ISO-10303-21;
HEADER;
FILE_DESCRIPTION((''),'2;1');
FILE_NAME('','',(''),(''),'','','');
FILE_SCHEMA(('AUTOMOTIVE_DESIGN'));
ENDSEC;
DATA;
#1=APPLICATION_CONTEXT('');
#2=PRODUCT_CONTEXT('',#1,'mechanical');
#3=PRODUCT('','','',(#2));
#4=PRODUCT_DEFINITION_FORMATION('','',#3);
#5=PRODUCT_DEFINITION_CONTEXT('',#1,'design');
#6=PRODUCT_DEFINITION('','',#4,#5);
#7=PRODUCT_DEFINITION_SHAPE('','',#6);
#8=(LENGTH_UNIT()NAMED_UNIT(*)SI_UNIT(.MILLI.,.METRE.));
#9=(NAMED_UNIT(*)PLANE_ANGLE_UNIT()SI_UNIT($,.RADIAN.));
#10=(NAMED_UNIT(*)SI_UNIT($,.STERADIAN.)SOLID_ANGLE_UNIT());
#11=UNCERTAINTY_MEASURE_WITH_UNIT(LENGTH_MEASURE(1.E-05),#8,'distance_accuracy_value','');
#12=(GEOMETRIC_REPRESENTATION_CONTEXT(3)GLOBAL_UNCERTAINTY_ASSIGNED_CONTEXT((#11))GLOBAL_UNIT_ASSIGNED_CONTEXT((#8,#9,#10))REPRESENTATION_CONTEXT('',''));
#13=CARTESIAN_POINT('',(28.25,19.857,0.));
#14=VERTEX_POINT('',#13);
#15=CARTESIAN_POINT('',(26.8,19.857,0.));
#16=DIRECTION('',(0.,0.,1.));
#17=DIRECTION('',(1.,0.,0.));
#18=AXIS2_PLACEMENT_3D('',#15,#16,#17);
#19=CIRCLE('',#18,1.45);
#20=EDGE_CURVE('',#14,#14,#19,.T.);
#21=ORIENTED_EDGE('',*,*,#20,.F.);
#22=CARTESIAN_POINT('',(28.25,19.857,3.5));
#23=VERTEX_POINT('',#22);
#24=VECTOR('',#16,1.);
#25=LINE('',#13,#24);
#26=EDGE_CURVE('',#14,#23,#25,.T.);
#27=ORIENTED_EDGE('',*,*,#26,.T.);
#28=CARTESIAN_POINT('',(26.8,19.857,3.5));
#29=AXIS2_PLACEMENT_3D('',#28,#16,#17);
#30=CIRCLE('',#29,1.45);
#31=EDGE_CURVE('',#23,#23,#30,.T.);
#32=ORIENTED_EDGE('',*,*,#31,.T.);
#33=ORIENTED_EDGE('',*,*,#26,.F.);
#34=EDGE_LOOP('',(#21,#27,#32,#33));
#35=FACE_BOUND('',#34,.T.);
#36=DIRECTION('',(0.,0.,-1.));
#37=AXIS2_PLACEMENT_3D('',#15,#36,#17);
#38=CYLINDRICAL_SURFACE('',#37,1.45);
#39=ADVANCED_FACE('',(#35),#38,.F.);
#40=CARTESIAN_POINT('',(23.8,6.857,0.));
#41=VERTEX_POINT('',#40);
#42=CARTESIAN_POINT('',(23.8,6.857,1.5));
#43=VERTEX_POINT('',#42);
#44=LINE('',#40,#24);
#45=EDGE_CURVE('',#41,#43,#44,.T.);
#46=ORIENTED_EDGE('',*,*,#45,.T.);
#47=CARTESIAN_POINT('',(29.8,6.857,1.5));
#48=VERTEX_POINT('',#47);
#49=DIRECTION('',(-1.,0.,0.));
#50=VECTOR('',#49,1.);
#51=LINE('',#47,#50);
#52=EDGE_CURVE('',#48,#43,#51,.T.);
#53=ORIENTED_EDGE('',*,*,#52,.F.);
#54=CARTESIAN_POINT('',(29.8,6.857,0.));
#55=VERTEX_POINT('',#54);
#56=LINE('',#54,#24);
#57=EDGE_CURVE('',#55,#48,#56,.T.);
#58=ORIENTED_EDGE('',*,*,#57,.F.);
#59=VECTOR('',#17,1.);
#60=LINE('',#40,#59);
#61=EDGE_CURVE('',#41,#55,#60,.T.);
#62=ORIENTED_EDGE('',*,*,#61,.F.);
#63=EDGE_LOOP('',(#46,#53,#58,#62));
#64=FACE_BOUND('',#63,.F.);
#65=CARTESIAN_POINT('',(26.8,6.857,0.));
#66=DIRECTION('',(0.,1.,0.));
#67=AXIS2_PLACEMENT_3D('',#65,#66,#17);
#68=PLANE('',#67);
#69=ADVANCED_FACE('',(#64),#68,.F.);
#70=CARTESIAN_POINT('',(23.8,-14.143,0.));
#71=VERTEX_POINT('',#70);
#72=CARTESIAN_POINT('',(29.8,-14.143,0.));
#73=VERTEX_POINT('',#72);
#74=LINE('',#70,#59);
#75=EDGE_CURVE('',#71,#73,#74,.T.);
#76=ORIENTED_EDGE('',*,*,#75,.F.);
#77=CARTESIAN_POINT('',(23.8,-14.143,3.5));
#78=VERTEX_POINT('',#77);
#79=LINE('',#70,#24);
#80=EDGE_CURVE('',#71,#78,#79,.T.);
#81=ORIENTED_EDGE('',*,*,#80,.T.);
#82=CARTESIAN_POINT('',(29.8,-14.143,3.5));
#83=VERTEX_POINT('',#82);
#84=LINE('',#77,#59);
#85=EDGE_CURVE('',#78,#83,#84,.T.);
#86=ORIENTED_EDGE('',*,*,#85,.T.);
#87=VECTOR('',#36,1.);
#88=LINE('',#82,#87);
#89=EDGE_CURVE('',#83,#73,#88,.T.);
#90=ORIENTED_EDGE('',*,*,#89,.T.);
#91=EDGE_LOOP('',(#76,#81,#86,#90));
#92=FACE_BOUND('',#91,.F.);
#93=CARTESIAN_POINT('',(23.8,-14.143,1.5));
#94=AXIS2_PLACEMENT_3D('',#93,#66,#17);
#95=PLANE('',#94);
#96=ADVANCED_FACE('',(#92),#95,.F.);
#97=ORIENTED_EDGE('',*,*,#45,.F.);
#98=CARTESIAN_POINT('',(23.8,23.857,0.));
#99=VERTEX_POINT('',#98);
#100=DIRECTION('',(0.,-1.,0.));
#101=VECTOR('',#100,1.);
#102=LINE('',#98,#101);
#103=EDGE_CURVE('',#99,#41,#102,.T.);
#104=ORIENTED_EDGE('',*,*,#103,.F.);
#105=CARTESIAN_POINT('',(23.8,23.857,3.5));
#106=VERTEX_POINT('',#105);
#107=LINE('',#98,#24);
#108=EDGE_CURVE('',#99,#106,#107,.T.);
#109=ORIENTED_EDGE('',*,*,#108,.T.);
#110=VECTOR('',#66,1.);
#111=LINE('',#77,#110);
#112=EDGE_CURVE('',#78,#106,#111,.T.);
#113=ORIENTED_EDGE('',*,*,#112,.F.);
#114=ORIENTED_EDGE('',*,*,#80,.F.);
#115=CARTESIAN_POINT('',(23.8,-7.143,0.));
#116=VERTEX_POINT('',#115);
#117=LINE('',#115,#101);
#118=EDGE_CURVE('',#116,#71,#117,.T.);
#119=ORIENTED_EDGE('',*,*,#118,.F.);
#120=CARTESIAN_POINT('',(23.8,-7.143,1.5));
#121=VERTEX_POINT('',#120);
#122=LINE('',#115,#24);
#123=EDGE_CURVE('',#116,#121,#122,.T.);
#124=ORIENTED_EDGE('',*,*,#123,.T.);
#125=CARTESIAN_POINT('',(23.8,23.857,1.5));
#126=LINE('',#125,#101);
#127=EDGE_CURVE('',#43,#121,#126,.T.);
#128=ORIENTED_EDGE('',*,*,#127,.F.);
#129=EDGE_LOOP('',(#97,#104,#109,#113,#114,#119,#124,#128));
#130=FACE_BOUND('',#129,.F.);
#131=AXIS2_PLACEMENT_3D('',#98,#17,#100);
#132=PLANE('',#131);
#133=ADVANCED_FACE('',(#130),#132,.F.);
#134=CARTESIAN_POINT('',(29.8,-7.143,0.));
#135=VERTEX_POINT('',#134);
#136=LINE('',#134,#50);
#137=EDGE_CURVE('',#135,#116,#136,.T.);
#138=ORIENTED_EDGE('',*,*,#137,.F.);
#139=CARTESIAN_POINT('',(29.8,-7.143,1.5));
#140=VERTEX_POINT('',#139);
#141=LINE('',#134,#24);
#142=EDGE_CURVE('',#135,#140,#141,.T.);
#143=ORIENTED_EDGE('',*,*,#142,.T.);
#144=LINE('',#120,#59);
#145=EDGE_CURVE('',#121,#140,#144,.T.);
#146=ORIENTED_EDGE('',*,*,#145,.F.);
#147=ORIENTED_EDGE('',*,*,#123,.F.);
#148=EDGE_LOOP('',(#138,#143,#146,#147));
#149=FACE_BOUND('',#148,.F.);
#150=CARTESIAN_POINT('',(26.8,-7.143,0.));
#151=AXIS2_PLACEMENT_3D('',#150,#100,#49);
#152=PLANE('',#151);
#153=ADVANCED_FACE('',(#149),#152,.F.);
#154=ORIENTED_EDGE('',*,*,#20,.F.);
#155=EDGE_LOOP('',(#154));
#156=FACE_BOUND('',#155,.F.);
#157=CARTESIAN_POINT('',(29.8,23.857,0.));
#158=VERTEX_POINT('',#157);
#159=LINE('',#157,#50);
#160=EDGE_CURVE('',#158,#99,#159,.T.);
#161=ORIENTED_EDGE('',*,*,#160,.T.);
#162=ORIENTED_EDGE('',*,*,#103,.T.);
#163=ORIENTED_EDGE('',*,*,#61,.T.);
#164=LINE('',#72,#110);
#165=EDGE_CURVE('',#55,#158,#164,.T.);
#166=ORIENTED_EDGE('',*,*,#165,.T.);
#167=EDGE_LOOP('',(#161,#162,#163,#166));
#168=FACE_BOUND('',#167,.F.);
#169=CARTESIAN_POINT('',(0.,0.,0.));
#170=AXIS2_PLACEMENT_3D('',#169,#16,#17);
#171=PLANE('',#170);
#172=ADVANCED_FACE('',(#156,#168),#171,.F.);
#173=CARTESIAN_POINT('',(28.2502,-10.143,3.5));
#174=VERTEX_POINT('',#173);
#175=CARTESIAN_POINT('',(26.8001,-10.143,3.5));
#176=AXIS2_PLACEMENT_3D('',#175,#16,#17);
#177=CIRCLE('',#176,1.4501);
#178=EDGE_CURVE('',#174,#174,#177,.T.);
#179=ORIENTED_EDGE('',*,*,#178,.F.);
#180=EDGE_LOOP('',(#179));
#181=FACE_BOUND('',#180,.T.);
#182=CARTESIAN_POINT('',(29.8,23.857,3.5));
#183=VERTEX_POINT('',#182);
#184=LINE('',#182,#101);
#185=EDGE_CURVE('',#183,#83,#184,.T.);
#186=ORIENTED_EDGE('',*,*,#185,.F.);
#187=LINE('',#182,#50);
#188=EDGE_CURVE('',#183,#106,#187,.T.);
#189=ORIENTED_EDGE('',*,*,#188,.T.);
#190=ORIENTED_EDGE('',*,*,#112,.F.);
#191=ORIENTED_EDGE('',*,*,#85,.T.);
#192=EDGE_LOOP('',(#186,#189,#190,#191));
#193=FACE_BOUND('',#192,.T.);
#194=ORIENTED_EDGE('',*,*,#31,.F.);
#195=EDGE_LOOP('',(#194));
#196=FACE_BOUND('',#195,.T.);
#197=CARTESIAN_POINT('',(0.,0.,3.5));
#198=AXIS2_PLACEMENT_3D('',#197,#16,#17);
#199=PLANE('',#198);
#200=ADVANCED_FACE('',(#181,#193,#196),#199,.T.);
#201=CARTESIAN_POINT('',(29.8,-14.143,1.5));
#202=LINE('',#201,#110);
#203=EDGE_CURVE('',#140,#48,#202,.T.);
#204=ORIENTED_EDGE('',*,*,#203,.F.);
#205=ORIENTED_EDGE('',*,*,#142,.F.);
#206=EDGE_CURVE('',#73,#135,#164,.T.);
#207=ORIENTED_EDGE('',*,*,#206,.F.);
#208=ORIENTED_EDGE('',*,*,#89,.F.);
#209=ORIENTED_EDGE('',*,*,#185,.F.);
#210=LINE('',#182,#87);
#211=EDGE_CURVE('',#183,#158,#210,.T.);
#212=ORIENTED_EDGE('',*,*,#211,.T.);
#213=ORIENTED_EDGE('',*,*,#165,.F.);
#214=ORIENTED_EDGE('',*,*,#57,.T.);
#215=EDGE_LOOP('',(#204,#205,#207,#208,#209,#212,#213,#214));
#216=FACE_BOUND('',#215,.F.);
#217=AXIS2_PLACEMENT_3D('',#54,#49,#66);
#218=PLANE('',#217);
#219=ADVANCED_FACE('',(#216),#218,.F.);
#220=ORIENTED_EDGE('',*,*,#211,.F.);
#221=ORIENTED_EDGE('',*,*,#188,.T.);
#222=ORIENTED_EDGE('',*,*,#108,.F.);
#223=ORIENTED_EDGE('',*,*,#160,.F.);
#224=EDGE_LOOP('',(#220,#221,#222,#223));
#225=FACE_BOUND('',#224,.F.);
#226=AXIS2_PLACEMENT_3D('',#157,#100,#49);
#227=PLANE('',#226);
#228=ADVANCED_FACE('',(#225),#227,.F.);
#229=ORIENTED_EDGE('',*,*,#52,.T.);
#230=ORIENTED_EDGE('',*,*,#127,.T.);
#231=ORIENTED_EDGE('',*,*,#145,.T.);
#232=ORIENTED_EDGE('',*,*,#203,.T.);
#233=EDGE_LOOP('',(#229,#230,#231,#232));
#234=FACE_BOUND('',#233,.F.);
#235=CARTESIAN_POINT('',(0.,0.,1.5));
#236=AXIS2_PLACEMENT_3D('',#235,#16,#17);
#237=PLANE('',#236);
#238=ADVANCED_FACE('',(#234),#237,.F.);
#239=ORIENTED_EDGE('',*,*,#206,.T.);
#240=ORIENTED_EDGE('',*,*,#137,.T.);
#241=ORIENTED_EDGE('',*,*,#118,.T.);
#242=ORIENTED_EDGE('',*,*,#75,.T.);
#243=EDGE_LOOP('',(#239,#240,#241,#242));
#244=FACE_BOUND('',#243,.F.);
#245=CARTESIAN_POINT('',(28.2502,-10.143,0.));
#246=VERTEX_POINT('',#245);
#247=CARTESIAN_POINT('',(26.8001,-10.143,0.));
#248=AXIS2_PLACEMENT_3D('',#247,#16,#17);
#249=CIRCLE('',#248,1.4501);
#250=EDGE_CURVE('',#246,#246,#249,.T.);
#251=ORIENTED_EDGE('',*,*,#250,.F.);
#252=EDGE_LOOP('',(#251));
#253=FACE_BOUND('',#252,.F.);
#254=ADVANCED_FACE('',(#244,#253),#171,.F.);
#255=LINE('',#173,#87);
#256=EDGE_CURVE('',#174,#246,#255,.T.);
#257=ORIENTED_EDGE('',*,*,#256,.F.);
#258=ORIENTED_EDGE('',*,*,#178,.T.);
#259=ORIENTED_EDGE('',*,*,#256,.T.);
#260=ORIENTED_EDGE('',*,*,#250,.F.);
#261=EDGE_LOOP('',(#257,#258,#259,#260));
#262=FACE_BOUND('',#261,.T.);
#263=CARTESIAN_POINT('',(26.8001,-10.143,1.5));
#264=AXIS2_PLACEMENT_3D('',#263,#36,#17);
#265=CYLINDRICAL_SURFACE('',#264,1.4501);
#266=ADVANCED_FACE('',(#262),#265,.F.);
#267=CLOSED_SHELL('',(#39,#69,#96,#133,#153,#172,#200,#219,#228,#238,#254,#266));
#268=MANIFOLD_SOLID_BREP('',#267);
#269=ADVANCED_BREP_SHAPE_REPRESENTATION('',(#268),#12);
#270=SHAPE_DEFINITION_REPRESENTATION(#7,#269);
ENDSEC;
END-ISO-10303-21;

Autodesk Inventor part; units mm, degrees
ref_plane "YZ Plane" through (0, 0, 0) normal (1, 0, 0) x (0, 1, 0)
ref_plane "XZ Plane" through (0, 0, 0) normal (0, 1, 0) x (-1, 0, 0)
ref_plane "Work Plane1" through (0, 0, 0) normal (0, 0, 1) x (1, 0, 0)
sketch "Sketch1" plane through (0, 0, 0) normal (0, 0, 1) x (1, 0, 0)
  circle A0 centre (26.8, 19.857) radius 1.45 projected
  circle A1 centre (26.8001, -10.143) radius 1.4501 projected
  line L0 (26.8, 23.857) -> (24.8, 23.857)
  line L1 (24.8, 23.857) -> (23.8, 23.857)
  line L2 (23.8, 23.857) -> (23.8, -10.143)
  line L3 (23.8, -10.143) -> (23.8, -14.143)
  line L4 (23.8, -14.143) -> (26.8, -14.143)
  line L5 (26.8, -14.143) -> (29.8, -14.143)
  line L6 (29.8, -14.143) -> (29.8, 23.857)
  line L7 (29.8, 23.857) -> (26.8, 23.857)
  line L8 (26.8, 6.857) -> (29.8, 6.857)
  line L9 (26.8, 6.857) -> (23.8, 6.857)
  line L10 (26.8, -7.143) -> (23.8, -7.143)
  line L11 (26.8, -7.143) -> (29.8, -7.143)
  point P0 (0, 0)
  dimension "d0" = 4
  dimension "d1" = 2
  dimension "d2" = 1
  dimension "d3" = 4
  dimension "d4" = 3
  dimension "d6" = 3
extrude "Extrusion1" add sketch "Sketch1" along normal blind 1.5 contours L7 L6 L8 L9 L2 L1 L0 | L6 L5 L4 L3 L2 L10 L11
sketch "Sketch2" plane through (0, 0, 1.5) normal (0, 0, 1) x (1, 0, 0)
  line L0 (23.8, 23.857) -> (23.8, 6.857) projected
  line L1 (23.8, 6.857) -> (29.8, 6.857) projected
  line L2 (29.8, 6.857) -> (29.8, 23.857) projected
  line L3 (29.8, 23.857) -> (23.8, 23.857) projected
  circle A0 centre (26.8, 19.857) radius 1.45 projected
  line L4 (23.8, 23.857) -> (23.8, -10.143) projected
  line L5 (29.8, -14.143) -> (29.8, 23.857) projected
  line L6 (29.8, -14.143) -> (29.8, -7.143) projected
  line L7 (29.8, -7.143) -> (23.8, -7.143) projected
  line L8 (23.8, -7.143) -> (23.8, -14.143) projected
  line L9 (23.8, -14.143) -> (29.8, -14.143) projected
  circle A1 centre (26.8001, -10.143) radius 1.4501 projected
  point P0 (0, 0)
extrude "Extrusion2" add sketch "Sketch2" along normal blind 2
properties part number "gps_cable_holder"
